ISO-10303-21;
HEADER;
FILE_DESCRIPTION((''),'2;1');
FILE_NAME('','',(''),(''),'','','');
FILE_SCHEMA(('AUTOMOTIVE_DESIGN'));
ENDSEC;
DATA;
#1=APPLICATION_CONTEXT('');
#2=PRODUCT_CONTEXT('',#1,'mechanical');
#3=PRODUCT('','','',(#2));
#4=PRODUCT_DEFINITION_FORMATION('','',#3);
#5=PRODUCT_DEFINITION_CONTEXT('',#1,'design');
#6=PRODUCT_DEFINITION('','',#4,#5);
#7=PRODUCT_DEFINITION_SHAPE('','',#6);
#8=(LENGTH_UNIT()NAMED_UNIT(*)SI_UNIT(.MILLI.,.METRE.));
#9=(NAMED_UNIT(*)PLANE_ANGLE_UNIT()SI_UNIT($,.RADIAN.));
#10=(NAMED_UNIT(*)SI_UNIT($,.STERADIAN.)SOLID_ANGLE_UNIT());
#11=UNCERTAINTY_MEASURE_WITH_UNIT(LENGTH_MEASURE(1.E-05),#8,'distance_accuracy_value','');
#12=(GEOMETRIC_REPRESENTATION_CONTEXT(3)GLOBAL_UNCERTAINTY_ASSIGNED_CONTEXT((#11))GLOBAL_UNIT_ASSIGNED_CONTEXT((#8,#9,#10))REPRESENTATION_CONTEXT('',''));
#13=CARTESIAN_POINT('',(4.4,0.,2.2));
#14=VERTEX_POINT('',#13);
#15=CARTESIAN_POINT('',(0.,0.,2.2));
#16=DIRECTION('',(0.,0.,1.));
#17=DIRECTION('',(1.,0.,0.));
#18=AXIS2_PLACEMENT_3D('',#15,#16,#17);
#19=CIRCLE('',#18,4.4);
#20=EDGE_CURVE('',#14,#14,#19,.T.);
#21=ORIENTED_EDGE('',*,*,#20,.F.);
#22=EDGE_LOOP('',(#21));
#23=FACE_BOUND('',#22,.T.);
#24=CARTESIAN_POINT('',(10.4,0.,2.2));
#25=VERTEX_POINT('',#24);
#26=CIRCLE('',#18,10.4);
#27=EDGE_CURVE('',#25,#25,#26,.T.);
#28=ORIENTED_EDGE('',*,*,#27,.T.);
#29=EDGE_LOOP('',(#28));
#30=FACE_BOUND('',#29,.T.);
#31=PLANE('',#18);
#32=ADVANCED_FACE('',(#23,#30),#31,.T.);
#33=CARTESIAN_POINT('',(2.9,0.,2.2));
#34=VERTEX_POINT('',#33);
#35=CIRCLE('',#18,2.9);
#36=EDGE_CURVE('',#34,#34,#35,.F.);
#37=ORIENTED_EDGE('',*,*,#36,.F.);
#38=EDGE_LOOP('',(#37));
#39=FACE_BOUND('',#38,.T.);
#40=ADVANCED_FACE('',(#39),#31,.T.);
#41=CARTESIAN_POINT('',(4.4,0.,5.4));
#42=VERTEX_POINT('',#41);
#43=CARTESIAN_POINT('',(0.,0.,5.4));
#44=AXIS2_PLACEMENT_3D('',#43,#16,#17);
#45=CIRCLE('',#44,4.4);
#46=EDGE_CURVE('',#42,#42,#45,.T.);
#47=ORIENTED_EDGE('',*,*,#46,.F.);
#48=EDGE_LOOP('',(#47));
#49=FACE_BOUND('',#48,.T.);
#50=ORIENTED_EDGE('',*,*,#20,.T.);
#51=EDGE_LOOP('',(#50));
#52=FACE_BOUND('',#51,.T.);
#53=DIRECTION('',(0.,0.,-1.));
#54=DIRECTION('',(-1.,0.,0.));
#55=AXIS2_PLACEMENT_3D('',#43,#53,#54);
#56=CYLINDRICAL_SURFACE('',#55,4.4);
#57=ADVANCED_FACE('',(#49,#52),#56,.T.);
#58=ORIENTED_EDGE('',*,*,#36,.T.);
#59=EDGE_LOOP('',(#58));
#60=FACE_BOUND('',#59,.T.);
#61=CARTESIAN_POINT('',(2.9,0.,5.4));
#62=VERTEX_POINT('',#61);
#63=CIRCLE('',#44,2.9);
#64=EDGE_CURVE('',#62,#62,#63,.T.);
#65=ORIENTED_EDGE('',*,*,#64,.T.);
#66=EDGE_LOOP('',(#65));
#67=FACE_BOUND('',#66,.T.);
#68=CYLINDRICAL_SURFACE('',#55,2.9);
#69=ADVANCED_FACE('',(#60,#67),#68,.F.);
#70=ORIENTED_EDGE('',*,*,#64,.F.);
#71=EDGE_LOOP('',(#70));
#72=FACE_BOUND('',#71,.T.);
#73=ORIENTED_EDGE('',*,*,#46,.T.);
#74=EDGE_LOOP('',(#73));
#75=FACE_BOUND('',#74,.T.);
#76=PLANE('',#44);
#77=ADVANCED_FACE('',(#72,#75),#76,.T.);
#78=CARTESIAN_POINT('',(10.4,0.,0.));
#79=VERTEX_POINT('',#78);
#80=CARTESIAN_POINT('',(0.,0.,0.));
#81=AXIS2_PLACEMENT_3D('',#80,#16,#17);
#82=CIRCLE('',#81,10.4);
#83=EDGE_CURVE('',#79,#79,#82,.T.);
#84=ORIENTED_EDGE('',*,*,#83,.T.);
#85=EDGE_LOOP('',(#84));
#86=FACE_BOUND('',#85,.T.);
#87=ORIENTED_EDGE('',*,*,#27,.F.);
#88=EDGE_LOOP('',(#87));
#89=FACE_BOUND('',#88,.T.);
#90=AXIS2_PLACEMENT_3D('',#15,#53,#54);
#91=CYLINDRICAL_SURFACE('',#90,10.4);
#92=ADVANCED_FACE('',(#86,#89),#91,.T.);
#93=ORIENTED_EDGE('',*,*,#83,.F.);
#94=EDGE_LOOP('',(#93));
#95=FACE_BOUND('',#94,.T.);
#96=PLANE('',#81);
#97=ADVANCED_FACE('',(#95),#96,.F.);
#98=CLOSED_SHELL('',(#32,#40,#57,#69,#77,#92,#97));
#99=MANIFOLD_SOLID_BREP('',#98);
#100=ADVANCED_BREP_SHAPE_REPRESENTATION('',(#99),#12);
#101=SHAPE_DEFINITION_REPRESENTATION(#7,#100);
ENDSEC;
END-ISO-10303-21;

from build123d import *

# Parameters (mm, degrees)
SKETCH1_R           = 10.4
BOSS_EXTRUDE1_DEPTH = 2.2
SKETCH2_R           = 4.4
SKETCH2_R_2         = 2.9
BOSS_EXTRUDE2_DEPTH = 3.2


with BuildPart() as part:
    # Sketch1 → Boss-Extrude1 (new body)
    with BuildSketch(Plane.XY):
        Circle(SKETCH1_R)
    extrude(amount=BOSS_EXTRUDE1_DEPTH)

    # Sketch2 → Boss-Extrude2 (add)
    with BuildSketch(Plane.XY.offset(2.2)):
        Circle(SKETCH2_R)
        Circle(SKETCH2_R_2, mode=Mode.SUBTRACT)
    extrude(amount=BOSS_EXTRUDE2_DEPTH)


solid = part.part
